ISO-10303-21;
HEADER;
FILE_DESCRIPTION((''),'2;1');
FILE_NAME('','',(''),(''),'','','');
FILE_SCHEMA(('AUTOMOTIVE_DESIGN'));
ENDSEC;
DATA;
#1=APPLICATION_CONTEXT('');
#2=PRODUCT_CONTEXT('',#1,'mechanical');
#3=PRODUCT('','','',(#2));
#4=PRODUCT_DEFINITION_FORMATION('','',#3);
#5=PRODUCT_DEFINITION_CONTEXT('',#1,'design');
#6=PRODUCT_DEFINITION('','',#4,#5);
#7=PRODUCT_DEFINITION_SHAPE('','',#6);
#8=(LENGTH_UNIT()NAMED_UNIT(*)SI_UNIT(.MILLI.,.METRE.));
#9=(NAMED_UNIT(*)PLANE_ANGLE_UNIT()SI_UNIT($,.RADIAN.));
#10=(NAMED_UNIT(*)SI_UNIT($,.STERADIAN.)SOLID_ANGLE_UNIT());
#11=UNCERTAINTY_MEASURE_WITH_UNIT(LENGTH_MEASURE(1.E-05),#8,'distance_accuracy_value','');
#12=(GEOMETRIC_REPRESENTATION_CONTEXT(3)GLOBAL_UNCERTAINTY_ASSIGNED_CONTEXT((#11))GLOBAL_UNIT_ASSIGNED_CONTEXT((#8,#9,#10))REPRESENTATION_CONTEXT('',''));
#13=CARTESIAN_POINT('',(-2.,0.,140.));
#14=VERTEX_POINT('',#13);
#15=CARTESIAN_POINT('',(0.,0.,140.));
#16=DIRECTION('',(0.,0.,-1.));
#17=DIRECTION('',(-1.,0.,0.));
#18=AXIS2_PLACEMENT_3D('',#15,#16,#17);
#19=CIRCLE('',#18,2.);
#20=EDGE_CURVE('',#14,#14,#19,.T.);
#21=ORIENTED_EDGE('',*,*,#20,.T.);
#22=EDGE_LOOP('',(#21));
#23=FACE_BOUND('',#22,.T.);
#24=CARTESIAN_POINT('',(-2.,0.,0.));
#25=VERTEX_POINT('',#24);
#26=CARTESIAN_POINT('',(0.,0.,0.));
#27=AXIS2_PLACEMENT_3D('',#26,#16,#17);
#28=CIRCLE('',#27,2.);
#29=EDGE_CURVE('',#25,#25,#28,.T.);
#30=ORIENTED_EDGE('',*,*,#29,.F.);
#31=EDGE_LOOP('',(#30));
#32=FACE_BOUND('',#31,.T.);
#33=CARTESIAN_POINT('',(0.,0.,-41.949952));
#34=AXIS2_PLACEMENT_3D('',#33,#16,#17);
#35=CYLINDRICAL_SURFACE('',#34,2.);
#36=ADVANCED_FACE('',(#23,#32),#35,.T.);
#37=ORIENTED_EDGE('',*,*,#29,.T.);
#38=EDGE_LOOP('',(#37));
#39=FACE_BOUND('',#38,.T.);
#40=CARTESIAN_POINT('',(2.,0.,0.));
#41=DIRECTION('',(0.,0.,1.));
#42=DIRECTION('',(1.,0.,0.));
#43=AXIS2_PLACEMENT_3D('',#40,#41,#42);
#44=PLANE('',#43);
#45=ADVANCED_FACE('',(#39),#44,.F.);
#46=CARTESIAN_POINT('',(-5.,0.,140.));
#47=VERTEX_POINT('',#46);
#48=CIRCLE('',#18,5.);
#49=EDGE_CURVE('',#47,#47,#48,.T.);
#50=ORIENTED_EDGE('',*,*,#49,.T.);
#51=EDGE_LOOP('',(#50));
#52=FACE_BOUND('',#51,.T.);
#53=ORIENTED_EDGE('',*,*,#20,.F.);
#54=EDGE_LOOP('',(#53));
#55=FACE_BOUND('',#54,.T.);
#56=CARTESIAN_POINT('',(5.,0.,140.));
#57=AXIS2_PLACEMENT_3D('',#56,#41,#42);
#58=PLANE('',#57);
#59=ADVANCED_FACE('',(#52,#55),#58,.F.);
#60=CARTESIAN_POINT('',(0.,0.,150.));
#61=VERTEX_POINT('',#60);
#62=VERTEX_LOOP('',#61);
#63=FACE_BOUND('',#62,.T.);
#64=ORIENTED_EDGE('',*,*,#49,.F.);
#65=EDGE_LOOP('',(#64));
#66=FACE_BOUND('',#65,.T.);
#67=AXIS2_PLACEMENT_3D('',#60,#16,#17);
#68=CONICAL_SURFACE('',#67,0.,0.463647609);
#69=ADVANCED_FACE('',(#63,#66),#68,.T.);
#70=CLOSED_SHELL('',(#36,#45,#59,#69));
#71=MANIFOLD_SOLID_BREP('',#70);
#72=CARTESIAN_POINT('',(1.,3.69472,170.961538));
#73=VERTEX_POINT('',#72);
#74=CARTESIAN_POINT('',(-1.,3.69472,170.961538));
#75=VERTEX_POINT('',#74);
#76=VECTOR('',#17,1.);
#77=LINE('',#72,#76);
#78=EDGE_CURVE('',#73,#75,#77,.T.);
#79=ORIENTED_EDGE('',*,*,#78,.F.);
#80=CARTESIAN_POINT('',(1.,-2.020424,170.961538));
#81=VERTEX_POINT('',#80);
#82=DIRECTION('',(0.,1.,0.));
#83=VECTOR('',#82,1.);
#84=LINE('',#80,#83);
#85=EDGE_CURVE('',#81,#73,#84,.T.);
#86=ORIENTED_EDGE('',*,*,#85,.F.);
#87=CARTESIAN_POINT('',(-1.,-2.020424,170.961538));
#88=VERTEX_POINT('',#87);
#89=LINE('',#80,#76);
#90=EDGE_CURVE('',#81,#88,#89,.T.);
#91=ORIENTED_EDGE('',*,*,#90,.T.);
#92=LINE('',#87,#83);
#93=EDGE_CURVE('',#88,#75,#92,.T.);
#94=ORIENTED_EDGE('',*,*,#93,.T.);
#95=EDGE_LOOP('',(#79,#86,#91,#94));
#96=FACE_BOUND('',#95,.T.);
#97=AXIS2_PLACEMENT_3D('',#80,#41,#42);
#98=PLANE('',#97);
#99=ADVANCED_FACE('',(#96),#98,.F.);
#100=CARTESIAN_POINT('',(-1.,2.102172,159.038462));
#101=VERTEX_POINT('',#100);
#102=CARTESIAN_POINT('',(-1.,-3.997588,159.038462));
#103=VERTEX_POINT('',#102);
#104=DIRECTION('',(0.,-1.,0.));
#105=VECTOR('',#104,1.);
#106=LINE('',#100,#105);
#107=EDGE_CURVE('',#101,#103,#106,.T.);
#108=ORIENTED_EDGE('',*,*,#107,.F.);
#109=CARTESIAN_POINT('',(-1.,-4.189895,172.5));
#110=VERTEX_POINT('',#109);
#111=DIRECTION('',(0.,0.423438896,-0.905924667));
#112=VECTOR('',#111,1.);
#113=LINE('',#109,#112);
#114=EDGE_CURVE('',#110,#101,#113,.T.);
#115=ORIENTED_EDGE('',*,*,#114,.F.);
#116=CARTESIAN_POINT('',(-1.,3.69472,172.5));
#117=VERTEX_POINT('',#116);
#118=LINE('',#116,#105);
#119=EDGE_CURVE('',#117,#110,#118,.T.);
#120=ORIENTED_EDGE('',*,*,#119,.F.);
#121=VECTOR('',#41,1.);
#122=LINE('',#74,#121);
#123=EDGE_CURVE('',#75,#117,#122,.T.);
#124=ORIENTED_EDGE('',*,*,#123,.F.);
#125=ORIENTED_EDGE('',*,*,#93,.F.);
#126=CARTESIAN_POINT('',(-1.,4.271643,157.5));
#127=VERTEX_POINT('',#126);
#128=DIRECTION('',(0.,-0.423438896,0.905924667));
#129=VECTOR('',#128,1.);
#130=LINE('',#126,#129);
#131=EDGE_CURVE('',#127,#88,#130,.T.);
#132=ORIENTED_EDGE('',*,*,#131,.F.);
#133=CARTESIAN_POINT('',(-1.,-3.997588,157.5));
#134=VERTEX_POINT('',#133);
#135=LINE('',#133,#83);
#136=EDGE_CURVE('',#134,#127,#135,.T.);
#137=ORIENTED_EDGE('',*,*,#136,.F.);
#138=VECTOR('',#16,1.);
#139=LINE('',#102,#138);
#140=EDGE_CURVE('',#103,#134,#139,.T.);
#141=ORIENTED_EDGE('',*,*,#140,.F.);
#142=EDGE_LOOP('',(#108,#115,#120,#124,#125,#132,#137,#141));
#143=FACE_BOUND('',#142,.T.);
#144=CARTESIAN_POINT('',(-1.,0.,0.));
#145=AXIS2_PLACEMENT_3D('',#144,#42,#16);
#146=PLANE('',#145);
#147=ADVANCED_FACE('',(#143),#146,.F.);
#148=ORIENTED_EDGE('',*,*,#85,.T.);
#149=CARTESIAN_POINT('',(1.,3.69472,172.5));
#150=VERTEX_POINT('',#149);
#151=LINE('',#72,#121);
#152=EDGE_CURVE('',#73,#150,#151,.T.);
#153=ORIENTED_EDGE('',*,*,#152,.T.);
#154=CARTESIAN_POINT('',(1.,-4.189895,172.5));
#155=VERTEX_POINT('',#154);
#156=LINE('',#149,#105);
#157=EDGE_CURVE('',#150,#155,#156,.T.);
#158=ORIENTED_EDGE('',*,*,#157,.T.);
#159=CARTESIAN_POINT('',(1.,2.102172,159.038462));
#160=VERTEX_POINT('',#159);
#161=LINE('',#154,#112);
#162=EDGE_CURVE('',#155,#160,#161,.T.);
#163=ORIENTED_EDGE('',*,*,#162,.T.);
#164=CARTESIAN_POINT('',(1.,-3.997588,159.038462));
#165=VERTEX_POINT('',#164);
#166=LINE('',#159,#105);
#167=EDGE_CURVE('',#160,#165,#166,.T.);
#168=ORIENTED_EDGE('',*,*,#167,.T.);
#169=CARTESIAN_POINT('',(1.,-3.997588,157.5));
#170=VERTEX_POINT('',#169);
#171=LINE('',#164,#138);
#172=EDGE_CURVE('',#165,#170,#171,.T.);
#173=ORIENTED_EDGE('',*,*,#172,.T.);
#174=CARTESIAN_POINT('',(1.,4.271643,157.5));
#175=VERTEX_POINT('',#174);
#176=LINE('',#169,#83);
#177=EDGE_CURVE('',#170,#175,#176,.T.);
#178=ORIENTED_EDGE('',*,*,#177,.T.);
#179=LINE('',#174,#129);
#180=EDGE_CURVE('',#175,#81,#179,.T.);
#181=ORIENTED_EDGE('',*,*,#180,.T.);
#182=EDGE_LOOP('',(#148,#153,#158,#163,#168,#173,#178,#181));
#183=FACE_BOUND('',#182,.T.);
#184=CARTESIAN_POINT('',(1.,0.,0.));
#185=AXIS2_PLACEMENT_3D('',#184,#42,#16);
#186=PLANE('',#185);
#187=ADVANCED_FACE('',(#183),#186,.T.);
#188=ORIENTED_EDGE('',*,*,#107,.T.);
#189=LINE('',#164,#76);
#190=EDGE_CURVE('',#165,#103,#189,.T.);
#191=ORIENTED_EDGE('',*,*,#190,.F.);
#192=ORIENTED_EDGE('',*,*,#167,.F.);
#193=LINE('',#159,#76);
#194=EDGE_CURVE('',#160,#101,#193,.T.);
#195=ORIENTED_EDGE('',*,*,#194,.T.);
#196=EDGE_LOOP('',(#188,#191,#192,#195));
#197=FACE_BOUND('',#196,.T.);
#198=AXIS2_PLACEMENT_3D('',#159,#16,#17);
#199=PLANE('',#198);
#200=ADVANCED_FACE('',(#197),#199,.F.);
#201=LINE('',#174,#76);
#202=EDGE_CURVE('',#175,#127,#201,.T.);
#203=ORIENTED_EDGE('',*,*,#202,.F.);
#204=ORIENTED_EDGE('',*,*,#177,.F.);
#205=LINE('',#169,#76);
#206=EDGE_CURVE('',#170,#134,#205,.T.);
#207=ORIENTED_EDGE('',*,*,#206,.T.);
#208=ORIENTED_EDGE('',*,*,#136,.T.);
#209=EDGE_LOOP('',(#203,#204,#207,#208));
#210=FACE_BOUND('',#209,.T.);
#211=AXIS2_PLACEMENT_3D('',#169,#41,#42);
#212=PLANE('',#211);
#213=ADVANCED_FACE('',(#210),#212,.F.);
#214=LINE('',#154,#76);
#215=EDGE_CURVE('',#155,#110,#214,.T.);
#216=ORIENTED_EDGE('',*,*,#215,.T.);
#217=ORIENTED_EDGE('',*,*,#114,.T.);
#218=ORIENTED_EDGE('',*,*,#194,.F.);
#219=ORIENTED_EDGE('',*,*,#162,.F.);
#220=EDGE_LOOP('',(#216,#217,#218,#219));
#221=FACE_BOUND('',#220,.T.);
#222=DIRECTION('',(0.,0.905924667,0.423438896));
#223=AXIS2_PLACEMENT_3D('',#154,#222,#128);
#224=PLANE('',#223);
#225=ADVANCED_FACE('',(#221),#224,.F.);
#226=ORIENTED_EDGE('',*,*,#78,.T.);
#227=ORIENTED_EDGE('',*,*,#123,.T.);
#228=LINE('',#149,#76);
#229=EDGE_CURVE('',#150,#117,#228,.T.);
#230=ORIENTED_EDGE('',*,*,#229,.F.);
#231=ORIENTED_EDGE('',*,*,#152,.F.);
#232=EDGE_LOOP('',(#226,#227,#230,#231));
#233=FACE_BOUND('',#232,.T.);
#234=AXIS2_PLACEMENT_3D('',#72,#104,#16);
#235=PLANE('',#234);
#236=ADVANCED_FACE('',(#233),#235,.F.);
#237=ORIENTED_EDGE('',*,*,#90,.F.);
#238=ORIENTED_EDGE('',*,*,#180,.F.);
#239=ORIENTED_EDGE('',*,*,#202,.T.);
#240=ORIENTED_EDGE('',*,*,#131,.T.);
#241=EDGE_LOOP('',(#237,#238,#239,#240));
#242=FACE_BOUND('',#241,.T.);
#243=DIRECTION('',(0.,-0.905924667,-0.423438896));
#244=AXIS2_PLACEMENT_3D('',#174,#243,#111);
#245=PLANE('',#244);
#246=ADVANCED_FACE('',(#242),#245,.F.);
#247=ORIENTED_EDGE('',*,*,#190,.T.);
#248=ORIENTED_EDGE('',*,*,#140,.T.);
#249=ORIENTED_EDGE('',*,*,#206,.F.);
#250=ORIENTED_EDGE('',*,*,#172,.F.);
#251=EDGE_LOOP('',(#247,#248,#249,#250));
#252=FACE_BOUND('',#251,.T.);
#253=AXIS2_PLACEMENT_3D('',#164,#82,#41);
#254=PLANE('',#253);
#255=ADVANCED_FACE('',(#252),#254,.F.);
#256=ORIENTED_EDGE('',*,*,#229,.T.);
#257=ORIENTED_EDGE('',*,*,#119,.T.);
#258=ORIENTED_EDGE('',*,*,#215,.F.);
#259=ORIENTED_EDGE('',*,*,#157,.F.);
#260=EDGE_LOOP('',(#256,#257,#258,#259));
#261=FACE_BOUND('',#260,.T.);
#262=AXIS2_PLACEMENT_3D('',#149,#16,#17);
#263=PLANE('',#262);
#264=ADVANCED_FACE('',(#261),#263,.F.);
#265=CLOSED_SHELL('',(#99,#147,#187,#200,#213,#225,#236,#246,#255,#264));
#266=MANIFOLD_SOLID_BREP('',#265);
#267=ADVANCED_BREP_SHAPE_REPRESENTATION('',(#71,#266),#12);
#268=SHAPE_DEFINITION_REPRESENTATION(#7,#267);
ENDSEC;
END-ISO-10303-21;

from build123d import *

# Parameters (mm, degrees)
BOSS_EXTRUDE1_DEPTH      = 1
BOSS_EXTRUDE1_DEPTH_BACK = 1


with BuildPart() as part:
    # Sketch2 → Revolve1 (revolve)
    with BuildSketch(Plane(origin=(0, 0, 0), x_dir=(1, 0, 0), z_dir=(0, 1, 0))):
        Polygon((0, -150), (5, -140), (2, -140), (2, 0), (0, 0), align=None)
    revolve(axis=Axis((0, 0, -41.949952025), (0, 0, 1)))


with BuildPart() as body_2:
    # Sketch3 → Boss-Extrude1 (new, two sides: drawn at the far end of the back side and taken through both)
    with BuildSketch(Plane(origin=(0, 0, 0), x_dir=(0, -1, 0), z_dir=(1, 0, 0)).offset(-BOSS_EXTRUDE1_DEPTH_BACK)):
        Polygon((-3.694719939, -170.961538462), (-3.694719939, -172.5), (4.189895446, -172.5), (-2.102171862, -159.038461538), (3.997587754, -159.038461538), (3.997587754, -157.5), (-4.271643016, -157.5), (2.020424292, -170.961538462), align=None)
    extrude(amount=BOSS_EXTRUDE1_DEPTH + BOSS_EXTRUDE1_DEPTH_BACK)


solid = Compound([part.part, body_2.part])
